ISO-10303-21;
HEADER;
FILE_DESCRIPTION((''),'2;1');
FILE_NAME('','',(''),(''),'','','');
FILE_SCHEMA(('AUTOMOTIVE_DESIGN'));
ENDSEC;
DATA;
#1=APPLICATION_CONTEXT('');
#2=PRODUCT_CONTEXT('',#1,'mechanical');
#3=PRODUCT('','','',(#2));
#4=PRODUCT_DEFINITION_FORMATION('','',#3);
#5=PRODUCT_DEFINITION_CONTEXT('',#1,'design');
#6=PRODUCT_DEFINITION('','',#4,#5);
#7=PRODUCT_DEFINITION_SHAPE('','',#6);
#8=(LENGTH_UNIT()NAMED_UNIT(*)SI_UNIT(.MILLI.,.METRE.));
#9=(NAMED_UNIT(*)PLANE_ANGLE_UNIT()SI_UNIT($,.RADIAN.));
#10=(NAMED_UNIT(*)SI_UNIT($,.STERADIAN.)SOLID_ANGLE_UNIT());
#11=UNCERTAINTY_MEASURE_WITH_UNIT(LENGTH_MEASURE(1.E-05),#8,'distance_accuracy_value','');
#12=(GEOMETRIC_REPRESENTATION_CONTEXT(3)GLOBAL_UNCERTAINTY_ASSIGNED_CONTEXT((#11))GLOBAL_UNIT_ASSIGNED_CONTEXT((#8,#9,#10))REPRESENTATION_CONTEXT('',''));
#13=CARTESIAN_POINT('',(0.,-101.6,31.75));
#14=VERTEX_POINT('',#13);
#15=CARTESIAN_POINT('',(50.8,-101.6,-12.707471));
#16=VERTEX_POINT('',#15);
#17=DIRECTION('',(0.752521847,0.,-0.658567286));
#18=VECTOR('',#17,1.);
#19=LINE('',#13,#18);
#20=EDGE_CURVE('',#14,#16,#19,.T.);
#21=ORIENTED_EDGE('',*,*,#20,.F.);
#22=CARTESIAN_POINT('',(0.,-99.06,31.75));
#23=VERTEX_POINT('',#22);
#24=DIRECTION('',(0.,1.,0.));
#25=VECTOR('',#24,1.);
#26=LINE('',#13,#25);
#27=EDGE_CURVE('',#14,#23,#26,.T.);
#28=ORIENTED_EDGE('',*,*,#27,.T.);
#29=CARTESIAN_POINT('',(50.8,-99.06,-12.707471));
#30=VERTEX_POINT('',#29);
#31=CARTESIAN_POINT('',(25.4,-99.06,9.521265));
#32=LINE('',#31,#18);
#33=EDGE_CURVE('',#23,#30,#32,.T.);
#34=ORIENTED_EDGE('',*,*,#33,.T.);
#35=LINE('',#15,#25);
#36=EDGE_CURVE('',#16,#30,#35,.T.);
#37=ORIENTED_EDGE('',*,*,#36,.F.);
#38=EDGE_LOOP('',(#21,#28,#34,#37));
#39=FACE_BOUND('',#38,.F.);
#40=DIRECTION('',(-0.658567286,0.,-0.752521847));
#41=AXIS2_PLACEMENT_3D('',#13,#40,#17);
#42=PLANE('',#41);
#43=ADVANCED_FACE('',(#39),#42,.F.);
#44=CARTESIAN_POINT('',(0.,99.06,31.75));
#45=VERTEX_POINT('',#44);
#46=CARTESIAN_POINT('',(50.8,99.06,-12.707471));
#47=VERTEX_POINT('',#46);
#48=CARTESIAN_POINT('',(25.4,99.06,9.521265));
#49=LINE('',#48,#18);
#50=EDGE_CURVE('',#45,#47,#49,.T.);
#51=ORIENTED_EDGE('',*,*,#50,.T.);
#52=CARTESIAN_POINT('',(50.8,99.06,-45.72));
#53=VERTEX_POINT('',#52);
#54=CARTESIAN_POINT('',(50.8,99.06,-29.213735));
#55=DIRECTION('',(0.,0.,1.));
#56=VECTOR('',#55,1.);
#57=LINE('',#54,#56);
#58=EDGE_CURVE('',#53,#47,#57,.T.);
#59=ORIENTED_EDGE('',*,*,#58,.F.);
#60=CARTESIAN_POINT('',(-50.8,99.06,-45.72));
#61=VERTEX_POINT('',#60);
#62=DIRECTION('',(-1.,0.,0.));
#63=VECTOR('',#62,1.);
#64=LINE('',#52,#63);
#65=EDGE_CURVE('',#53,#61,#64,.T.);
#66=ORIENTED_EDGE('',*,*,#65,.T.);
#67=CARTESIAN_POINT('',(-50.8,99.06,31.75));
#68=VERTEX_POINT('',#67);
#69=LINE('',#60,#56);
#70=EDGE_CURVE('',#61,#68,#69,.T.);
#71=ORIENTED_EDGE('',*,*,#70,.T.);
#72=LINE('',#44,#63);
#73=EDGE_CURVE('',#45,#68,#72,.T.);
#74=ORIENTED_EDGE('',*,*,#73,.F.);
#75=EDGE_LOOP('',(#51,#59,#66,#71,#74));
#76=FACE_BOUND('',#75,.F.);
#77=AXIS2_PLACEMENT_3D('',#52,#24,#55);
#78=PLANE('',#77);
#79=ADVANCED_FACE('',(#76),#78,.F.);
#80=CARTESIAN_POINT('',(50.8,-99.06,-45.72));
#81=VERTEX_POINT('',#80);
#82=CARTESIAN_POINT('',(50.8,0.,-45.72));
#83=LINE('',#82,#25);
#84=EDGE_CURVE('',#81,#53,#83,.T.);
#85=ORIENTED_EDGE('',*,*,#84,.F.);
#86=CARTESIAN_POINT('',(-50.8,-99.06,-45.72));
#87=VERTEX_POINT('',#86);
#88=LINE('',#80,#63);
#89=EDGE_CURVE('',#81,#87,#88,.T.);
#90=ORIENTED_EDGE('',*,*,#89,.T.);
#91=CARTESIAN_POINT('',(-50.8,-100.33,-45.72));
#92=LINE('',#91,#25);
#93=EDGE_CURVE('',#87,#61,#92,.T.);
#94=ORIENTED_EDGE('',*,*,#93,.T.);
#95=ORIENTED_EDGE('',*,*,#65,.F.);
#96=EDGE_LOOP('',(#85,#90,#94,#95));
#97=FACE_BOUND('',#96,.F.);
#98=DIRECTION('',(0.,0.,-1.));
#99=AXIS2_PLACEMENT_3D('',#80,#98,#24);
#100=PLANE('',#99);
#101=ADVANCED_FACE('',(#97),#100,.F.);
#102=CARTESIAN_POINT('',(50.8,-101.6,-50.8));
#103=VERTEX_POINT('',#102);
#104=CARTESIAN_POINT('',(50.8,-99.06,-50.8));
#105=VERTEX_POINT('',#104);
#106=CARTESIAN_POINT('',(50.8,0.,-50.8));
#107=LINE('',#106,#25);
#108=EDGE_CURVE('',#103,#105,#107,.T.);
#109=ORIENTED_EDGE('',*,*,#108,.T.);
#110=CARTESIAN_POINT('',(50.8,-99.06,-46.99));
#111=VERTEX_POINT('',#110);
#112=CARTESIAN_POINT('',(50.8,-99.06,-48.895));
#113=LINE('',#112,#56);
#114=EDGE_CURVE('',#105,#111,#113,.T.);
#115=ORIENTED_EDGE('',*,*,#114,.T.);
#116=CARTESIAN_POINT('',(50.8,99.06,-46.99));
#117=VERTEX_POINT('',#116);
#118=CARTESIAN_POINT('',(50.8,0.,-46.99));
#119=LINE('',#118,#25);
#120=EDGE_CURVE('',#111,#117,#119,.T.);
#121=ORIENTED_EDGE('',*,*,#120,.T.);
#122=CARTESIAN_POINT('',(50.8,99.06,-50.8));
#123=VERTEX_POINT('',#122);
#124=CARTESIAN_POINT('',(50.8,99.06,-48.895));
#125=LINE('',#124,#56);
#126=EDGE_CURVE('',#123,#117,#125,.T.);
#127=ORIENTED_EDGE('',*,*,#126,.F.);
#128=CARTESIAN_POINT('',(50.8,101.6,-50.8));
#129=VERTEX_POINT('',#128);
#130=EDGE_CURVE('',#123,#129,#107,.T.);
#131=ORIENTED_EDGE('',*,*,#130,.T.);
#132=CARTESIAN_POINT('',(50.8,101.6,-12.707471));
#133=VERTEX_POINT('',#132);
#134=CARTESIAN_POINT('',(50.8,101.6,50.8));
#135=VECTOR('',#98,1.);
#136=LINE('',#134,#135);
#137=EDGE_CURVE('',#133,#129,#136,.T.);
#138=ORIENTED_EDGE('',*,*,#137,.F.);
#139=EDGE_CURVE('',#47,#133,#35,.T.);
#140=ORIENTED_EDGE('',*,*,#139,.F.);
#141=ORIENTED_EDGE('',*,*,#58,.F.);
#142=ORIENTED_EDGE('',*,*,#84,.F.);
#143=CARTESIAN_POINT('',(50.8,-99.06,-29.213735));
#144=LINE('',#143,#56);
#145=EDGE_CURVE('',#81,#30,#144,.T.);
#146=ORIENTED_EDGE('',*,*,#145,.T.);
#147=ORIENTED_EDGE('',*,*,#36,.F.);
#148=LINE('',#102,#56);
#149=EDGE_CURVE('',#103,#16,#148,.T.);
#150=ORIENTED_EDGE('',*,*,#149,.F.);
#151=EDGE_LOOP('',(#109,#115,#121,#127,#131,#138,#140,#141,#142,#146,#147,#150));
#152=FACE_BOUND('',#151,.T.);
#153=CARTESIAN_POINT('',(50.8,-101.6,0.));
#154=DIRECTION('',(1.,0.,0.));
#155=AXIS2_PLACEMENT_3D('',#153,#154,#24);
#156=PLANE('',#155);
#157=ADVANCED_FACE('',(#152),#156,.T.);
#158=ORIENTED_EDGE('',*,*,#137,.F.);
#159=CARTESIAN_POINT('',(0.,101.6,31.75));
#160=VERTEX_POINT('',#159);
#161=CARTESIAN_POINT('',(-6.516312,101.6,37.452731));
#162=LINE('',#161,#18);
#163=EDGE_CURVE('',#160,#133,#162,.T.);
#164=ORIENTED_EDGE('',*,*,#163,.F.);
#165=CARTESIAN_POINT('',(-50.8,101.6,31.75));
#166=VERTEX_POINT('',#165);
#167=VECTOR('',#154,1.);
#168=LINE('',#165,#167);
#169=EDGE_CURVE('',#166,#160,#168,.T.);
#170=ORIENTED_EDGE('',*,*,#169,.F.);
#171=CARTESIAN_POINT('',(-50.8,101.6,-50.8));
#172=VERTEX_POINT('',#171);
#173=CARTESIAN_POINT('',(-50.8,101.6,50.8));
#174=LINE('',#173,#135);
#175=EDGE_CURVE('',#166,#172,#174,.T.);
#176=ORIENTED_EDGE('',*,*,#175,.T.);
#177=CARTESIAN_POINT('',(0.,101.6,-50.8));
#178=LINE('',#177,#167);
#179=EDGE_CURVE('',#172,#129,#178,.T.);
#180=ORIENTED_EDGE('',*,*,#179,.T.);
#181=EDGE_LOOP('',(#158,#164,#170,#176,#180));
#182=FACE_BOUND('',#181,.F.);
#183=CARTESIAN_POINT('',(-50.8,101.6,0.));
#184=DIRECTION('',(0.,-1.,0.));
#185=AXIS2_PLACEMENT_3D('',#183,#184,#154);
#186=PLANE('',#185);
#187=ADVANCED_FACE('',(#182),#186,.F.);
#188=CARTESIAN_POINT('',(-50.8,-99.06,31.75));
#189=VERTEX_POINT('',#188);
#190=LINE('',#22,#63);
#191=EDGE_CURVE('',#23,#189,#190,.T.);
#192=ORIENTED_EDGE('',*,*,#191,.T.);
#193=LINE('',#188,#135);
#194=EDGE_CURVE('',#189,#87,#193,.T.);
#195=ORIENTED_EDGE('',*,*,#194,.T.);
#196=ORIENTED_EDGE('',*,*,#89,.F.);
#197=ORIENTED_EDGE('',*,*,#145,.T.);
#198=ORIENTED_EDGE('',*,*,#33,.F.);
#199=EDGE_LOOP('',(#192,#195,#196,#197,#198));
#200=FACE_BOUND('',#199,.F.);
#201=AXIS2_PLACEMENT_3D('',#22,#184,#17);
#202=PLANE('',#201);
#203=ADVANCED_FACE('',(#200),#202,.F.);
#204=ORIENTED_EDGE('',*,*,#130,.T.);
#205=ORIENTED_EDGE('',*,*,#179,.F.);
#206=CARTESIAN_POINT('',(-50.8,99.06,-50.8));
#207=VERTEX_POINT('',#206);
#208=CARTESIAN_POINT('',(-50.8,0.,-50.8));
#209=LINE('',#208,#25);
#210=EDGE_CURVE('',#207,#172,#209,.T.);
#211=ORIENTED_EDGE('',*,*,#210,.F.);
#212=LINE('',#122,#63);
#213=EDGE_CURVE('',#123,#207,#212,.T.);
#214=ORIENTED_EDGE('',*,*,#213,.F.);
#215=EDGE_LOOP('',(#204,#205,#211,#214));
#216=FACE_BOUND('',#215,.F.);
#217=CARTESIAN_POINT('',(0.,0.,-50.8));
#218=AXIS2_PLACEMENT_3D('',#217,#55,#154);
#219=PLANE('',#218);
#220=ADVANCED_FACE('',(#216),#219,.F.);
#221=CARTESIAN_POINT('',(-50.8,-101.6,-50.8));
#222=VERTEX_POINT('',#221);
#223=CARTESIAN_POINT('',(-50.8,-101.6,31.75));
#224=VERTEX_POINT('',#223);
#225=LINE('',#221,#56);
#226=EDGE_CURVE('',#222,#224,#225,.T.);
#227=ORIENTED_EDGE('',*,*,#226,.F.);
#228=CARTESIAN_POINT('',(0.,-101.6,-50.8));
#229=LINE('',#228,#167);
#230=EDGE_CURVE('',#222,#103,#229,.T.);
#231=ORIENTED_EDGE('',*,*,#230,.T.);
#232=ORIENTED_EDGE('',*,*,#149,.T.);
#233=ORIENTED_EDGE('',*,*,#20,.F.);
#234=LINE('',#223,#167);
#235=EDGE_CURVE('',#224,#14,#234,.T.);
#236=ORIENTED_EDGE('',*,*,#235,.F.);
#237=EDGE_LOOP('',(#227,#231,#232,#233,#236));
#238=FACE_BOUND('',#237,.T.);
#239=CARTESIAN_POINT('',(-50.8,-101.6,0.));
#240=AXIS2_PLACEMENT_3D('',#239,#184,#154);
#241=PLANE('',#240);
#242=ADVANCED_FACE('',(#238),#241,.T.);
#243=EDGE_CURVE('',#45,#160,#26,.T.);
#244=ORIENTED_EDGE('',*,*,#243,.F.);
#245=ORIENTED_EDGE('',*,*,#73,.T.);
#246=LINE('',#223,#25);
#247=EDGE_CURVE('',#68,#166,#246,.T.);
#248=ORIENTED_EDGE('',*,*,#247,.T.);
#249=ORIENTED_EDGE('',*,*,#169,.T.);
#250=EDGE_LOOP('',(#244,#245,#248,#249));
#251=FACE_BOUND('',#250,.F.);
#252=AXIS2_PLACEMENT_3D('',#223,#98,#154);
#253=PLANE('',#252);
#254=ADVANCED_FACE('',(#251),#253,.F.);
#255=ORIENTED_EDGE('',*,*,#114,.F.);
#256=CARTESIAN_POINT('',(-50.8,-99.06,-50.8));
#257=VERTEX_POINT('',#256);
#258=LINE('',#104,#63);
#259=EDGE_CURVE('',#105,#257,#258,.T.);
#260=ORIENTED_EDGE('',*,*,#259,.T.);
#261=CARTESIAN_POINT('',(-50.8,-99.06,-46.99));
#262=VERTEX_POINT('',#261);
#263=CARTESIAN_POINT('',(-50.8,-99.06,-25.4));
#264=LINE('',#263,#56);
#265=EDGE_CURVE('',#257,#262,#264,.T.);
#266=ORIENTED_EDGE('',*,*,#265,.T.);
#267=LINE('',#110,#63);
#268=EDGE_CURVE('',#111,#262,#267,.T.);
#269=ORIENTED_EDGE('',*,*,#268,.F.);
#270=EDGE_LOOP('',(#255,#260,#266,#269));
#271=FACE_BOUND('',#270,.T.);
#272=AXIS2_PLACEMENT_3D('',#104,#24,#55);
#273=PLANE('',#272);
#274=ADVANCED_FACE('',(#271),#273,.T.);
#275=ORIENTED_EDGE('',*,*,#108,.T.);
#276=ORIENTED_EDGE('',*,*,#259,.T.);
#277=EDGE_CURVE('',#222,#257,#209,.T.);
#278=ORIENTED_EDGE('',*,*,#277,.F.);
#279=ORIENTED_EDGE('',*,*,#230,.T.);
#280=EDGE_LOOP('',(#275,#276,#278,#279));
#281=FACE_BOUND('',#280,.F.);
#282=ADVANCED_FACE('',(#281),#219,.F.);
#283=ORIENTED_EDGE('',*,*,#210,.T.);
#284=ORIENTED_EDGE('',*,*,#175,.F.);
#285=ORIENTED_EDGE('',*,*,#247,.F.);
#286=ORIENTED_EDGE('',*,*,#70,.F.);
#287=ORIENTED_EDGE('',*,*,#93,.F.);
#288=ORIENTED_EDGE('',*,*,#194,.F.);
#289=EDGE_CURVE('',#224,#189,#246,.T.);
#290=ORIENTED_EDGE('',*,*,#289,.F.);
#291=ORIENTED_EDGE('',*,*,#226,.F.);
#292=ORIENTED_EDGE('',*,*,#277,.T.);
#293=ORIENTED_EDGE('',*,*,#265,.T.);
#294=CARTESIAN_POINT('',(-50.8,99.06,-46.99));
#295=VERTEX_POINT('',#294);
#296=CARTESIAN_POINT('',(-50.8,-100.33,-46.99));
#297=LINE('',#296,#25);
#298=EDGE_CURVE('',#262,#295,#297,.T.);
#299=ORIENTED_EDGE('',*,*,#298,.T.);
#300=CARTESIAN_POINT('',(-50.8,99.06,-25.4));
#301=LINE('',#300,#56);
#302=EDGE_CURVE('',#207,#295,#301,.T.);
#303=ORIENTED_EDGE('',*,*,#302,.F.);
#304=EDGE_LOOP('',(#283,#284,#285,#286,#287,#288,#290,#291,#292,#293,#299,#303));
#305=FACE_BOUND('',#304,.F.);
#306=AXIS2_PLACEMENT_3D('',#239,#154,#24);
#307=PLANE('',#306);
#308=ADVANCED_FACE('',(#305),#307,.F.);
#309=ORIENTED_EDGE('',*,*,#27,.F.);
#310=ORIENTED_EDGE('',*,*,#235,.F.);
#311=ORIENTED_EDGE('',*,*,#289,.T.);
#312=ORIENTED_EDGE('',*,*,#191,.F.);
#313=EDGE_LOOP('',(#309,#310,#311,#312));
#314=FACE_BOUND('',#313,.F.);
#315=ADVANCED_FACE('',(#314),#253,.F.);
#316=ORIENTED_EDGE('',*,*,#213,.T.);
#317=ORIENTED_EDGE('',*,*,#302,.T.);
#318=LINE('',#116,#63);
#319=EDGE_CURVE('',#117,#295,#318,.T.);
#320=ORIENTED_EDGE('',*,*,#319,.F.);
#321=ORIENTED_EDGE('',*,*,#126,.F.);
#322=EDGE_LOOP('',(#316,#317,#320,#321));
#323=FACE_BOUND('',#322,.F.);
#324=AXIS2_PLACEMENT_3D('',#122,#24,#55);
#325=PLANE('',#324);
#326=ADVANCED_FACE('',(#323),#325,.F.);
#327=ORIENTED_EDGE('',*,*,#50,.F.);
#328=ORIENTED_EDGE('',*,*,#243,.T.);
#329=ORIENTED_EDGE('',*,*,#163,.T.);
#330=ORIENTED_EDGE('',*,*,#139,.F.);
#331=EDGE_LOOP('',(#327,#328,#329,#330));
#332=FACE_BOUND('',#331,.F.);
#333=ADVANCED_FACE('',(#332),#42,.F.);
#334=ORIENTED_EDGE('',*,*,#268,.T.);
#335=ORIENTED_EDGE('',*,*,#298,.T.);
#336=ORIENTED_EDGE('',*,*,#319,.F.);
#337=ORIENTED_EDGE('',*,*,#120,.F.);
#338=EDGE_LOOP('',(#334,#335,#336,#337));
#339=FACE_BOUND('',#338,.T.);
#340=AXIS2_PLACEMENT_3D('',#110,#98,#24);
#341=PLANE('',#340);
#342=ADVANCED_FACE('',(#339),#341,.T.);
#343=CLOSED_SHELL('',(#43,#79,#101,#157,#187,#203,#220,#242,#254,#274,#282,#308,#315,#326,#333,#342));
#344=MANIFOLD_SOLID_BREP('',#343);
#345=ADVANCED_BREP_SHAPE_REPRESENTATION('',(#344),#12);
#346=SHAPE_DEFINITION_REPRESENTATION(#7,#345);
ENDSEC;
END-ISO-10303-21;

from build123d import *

# Parameters (mm, degrees)
F0_W     = 101.6
F0_H     = 203.2
F1_DEPTH = 50.8
F3_DEPTH = 203.201
F4_W     = 198.12
F4_H     = 33.0125290838
F4_H_2   = 3.81
F5_W     = 67.5063457778
F5_H     = 198.12
F6_DEPTH = 101.601


with BuildPart() as f1:
    # F0 (on Top) → F1 (new body, symmetric)
    with BuildSketch(Plane.XY):
        Rectangle(F0_W, F0_H)
    extrude(amount=F1_DEPTH, both=True)

    # F2 (on face) → F3 (cut, through all)
    with BuildSketch(Plane.XZ.offset(101.6)):
        Polygon((-50.8, 50.8), (-50.8, 31.75), (0, 31.75), (50.8, -12.7074709162), (50.8, 50.8), align=None)
    extrude(amount=-F3_DEPTH, mode=Mode.SUBTRACT)

    # F4 (on face) + F5 (on face) → F6 (cut, through all)
    with BuildSketch(Plane.YZ.offset(50.8)):
        with Locations((0, -29.2137354581)):
            Rectangle(F4_W, F4_H)
        with Locations((0, -48.895)):
            Rectangle(F4_W, F4_H_2)
    with BuildSketch(Plane(origin=(15.7348640799, 0, 17.9796798779), x_dir=(0.7525218469, 0, -0.6585672858), z_dir=(0.6585672858, 0, 0.7525218469))):
        with Locations((12.8436615633, 0)):
            Rectangle(F5_W, F5_H)
    extrude(amount=-F6_DEPTH, dir=(1, 0, 0), mode=Mode.SUBTRACT)


solid = f1.part
